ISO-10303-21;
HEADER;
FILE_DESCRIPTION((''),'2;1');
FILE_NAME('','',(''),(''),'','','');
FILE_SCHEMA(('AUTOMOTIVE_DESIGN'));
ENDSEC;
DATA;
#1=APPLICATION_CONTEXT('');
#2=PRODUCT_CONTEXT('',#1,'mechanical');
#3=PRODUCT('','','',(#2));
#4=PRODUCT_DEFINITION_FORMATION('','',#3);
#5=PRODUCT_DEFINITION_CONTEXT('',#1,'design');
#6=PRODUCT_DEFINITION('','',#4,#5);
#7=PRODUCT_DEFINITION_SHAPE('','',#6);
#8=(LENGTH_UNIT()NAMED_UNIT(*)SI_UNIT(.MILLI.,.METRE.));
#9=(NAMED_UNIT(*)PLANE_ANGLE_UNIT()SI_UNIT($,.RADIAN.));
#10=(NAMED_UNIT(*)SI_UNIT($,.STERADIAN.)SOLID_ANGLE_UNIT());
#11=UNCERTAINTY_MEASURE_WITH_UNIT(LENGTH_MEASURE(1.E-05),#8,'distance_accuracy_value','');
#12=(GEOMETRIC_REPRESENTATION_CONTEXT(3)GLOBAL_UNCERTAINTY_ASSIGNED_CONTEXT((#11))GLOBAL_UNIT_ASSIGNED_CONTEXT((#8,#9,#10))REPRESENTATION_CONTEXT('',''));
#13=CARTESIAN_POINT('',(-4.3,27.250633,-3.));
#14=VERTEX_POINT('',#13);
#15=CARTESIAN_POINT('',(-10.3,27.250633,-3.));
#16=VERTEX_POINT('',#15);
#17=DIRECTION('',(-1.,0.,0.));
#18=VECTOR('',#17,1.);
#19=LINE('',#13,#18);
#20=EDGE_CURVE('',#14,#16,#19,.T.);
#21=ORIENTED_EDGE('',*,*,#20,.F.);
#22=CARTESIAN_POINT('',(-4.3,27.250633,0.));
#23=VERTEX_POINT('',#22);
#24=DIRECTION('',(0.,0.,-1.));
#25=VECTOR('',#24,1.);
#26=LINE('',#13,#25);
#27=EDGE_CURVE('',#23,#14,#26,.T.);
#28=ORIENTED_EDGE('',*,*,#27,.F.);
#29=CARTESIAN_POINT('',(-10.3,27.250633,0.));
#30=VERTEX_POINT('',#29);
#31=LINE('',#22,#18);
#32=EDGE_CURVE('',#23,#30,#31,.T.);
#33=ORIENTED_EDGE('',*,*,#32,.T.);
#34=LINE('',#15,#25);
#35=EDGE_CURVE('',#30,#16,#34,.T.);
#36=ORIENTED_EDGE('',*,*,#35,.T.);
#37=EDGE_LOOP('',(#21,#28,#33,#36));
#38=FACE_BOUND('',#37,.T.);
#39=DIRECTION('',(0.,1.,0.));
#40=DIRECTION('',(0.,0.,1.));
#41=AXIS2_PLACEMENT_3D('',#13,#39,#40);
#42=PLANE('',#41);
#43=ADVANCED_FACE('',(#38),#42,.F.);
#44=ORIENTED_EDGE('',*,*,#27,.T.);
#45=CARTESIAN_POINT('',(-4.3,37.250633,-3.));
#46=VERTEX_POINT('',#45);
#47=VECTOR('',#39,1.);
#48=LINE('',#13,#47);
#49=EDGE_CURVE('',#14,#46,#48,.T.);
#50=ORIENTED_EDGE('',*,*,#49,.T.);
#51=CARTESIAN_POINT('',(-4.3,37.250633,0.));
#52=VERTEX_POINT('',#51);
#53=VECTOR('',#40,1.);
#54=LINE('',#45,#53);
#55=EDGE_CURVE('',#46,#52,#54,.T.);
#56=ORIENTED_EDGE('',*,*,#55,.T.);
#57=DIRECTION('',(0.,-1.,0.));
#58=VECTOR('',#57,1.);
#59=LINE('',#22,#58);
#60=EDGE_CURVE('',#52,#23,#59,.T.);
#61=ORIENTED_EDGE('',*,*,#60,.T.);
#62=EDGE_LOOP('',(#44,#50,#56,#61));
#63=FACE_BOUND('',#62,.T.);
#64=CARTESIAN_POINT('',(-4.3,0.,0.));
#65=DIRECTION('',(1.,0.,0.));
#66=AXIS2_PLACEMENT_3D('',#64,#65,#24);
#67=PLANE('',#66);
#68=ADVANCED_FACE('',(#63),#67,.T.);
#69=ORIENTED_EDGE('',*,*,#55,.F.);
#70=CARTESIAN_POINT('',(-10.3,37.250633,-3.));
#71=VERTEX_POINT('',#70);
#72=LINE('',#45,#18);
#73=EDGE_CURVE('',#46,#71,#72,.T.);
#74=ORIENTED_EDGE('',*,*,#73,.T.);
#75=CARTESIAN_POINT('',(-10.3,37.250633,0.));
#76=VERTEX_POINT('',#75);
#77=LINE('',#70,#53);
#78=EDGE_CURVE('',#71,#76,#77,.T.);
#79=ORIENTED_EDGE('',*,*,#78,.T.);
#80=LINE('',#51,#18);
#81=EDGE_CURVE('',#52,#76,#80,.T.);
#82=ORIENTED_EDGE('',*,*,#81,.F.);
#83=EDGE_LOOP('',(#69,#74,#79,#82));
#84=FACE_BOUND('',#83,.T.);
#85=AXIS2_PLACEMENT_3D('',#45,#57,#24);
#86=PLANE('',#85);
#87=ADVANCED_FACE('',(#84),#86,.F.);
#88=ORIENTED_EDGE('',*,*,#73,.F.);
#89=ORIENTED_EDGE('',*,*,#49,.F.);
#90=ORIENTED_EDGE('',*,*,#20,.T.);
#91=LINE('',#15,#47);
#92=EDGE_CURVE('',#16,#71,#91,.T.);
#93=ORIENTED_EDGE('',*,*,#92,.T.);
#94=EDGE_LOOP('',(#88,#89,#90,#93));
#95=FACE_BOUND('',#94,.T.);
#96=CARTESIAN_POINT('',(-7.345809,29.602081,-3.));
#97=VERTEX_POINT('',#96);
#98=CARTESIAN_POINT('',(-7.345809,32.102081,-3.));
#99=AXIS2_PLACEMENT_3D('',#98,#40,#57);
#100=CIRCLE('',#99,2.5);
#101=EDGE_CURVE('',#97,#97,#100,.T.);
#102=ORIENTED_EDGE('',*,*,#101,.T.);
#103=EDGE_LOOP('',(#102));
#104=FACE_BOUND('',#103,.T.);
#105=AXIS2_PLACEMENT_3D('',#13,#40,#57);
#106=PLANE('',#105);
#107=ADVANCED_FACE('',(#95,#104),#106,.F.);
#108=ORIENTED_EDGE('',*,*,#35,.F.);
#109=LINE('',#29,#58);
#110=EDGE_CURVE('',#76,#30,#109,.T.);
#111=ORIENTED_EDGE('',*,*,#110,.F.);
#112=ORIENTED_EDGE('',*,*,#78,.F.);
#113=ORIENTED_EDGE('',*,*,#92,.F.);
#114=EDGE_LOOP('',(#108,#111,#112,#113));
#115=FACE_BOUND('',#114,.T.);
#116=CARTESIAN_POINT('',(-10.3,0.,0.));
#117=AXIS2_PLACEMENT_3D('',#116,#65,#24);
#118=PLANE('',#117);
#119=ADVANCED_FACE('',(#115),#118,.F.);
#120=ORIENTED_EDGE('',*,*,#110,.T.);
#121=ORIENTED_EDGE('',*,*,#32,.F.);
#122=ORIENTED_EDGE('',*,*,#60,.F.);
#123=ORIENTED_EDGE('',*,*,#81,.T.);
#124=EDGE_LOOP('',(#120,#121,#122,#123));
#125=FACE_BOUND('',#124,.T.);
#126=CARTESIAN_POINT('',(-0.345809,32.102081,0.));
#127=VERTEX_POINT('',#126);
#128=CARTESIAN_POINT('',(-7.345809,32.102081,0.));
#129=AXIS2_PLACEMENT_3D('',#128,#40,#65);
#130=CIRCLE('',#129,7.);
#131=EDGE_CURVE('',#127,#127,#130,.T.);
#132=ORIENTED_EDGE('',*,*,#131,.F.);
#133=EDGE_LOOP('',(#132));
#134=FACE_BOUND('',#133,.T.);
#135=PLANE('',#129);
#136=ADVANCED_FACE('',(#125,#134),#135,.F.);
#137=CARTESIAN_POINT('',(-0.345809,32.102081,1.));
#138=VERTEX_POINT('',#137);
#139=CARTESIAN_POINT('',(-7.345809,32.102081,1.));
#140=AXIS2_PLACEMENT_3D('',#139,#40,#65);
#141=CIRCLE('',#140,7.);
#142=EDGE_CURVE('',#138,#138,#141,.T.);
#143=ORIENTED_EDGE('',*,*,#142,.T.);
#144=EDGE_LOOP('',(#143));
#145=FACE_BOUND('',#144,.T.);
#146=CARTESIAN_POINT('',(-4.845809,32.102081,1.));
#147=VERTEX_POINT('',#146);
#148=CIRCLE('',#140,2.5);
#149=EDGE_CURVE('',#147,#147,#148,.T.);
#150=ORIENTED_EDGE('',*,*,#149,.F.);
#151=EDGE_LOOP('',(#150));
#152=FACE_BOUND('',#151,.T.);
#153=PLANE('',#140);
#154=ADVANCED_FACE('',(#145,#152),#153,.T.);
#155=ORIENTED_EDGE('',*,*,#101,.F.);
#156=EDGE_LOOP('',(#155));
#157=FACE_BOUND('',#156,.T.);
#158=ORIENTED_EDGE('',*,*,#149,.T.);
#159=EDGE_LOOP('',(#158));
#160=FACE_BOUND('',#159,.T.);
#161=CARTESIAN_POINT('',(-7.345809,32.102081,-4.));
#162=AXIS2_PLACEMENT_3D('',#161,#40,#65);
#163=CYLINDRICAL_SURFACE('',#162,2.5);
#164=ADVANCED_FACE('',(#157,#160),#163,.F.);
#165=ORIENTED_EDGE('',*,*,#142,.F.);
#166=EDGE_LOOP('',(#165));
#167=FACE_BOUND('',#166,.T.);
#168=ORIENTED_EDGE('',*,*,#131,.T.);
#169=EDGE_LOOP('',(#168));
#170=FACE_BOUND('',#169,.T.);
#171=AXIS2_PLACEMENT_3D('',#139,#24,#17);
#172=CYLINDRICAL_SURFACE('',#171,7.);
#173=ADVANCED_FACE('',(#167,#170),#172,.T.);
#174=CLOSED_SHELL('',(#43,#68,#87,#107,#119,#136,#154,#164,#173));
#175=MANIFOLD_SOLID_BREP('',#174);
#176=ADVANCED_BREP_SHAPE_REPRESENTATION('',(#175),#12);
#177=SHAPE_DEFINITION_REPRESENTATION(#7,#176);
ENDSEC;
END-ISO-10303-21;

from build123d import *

# Parameters (mm, degrees)
SKETCH1_R           = 7
BOSS_EXTRUDE1_DEPTH = 1
SKETCH3_W           = 3
SKETCH3_H           = 10
BOSS_EXTRUDE2_DEPTH = 3
SKETCH5_R           = 2.5
CUT_EXTRUDE1_DEPTH  = 5


with BuildPart() as part:
    # Sketch1 → Boss-Extrude1 (new body)
    with BuildSketch(Plane.XY):
        with Locations((-7.345808821, 32.102080843)):
            Circle(SKETCH1_R)
    extrude(amount=BOSS_EXTRUDE1_DEPTH)

    # Sketch3 → Boss-Extrude2 (add, symmetric)
    with BuildSketch(Plane(origin=(-7.3, 0, 0), x_dir=(0, 0, -1), z_dir=(1, 0, 0))):
        with Locations((1.5, 32.250632967)):
            Rectangle(SKETCH3_W, SKETCH3_H)
    extrude(amount=BOSS_EXTRUDE2_DEPTH, both=True)

    # Sketch5 → Cut-Extrude1 (cut)
    with BuildSketch(Plane.XY.offset(1)):
        with Locations((-7.345808821, 32.102080843)):
            Circle(SKETCH5_R)
    extrude(amount=-CUT_EXTRUDE1_DEPTH, mode=Mode.SUBTRACT)


solid = part.part
